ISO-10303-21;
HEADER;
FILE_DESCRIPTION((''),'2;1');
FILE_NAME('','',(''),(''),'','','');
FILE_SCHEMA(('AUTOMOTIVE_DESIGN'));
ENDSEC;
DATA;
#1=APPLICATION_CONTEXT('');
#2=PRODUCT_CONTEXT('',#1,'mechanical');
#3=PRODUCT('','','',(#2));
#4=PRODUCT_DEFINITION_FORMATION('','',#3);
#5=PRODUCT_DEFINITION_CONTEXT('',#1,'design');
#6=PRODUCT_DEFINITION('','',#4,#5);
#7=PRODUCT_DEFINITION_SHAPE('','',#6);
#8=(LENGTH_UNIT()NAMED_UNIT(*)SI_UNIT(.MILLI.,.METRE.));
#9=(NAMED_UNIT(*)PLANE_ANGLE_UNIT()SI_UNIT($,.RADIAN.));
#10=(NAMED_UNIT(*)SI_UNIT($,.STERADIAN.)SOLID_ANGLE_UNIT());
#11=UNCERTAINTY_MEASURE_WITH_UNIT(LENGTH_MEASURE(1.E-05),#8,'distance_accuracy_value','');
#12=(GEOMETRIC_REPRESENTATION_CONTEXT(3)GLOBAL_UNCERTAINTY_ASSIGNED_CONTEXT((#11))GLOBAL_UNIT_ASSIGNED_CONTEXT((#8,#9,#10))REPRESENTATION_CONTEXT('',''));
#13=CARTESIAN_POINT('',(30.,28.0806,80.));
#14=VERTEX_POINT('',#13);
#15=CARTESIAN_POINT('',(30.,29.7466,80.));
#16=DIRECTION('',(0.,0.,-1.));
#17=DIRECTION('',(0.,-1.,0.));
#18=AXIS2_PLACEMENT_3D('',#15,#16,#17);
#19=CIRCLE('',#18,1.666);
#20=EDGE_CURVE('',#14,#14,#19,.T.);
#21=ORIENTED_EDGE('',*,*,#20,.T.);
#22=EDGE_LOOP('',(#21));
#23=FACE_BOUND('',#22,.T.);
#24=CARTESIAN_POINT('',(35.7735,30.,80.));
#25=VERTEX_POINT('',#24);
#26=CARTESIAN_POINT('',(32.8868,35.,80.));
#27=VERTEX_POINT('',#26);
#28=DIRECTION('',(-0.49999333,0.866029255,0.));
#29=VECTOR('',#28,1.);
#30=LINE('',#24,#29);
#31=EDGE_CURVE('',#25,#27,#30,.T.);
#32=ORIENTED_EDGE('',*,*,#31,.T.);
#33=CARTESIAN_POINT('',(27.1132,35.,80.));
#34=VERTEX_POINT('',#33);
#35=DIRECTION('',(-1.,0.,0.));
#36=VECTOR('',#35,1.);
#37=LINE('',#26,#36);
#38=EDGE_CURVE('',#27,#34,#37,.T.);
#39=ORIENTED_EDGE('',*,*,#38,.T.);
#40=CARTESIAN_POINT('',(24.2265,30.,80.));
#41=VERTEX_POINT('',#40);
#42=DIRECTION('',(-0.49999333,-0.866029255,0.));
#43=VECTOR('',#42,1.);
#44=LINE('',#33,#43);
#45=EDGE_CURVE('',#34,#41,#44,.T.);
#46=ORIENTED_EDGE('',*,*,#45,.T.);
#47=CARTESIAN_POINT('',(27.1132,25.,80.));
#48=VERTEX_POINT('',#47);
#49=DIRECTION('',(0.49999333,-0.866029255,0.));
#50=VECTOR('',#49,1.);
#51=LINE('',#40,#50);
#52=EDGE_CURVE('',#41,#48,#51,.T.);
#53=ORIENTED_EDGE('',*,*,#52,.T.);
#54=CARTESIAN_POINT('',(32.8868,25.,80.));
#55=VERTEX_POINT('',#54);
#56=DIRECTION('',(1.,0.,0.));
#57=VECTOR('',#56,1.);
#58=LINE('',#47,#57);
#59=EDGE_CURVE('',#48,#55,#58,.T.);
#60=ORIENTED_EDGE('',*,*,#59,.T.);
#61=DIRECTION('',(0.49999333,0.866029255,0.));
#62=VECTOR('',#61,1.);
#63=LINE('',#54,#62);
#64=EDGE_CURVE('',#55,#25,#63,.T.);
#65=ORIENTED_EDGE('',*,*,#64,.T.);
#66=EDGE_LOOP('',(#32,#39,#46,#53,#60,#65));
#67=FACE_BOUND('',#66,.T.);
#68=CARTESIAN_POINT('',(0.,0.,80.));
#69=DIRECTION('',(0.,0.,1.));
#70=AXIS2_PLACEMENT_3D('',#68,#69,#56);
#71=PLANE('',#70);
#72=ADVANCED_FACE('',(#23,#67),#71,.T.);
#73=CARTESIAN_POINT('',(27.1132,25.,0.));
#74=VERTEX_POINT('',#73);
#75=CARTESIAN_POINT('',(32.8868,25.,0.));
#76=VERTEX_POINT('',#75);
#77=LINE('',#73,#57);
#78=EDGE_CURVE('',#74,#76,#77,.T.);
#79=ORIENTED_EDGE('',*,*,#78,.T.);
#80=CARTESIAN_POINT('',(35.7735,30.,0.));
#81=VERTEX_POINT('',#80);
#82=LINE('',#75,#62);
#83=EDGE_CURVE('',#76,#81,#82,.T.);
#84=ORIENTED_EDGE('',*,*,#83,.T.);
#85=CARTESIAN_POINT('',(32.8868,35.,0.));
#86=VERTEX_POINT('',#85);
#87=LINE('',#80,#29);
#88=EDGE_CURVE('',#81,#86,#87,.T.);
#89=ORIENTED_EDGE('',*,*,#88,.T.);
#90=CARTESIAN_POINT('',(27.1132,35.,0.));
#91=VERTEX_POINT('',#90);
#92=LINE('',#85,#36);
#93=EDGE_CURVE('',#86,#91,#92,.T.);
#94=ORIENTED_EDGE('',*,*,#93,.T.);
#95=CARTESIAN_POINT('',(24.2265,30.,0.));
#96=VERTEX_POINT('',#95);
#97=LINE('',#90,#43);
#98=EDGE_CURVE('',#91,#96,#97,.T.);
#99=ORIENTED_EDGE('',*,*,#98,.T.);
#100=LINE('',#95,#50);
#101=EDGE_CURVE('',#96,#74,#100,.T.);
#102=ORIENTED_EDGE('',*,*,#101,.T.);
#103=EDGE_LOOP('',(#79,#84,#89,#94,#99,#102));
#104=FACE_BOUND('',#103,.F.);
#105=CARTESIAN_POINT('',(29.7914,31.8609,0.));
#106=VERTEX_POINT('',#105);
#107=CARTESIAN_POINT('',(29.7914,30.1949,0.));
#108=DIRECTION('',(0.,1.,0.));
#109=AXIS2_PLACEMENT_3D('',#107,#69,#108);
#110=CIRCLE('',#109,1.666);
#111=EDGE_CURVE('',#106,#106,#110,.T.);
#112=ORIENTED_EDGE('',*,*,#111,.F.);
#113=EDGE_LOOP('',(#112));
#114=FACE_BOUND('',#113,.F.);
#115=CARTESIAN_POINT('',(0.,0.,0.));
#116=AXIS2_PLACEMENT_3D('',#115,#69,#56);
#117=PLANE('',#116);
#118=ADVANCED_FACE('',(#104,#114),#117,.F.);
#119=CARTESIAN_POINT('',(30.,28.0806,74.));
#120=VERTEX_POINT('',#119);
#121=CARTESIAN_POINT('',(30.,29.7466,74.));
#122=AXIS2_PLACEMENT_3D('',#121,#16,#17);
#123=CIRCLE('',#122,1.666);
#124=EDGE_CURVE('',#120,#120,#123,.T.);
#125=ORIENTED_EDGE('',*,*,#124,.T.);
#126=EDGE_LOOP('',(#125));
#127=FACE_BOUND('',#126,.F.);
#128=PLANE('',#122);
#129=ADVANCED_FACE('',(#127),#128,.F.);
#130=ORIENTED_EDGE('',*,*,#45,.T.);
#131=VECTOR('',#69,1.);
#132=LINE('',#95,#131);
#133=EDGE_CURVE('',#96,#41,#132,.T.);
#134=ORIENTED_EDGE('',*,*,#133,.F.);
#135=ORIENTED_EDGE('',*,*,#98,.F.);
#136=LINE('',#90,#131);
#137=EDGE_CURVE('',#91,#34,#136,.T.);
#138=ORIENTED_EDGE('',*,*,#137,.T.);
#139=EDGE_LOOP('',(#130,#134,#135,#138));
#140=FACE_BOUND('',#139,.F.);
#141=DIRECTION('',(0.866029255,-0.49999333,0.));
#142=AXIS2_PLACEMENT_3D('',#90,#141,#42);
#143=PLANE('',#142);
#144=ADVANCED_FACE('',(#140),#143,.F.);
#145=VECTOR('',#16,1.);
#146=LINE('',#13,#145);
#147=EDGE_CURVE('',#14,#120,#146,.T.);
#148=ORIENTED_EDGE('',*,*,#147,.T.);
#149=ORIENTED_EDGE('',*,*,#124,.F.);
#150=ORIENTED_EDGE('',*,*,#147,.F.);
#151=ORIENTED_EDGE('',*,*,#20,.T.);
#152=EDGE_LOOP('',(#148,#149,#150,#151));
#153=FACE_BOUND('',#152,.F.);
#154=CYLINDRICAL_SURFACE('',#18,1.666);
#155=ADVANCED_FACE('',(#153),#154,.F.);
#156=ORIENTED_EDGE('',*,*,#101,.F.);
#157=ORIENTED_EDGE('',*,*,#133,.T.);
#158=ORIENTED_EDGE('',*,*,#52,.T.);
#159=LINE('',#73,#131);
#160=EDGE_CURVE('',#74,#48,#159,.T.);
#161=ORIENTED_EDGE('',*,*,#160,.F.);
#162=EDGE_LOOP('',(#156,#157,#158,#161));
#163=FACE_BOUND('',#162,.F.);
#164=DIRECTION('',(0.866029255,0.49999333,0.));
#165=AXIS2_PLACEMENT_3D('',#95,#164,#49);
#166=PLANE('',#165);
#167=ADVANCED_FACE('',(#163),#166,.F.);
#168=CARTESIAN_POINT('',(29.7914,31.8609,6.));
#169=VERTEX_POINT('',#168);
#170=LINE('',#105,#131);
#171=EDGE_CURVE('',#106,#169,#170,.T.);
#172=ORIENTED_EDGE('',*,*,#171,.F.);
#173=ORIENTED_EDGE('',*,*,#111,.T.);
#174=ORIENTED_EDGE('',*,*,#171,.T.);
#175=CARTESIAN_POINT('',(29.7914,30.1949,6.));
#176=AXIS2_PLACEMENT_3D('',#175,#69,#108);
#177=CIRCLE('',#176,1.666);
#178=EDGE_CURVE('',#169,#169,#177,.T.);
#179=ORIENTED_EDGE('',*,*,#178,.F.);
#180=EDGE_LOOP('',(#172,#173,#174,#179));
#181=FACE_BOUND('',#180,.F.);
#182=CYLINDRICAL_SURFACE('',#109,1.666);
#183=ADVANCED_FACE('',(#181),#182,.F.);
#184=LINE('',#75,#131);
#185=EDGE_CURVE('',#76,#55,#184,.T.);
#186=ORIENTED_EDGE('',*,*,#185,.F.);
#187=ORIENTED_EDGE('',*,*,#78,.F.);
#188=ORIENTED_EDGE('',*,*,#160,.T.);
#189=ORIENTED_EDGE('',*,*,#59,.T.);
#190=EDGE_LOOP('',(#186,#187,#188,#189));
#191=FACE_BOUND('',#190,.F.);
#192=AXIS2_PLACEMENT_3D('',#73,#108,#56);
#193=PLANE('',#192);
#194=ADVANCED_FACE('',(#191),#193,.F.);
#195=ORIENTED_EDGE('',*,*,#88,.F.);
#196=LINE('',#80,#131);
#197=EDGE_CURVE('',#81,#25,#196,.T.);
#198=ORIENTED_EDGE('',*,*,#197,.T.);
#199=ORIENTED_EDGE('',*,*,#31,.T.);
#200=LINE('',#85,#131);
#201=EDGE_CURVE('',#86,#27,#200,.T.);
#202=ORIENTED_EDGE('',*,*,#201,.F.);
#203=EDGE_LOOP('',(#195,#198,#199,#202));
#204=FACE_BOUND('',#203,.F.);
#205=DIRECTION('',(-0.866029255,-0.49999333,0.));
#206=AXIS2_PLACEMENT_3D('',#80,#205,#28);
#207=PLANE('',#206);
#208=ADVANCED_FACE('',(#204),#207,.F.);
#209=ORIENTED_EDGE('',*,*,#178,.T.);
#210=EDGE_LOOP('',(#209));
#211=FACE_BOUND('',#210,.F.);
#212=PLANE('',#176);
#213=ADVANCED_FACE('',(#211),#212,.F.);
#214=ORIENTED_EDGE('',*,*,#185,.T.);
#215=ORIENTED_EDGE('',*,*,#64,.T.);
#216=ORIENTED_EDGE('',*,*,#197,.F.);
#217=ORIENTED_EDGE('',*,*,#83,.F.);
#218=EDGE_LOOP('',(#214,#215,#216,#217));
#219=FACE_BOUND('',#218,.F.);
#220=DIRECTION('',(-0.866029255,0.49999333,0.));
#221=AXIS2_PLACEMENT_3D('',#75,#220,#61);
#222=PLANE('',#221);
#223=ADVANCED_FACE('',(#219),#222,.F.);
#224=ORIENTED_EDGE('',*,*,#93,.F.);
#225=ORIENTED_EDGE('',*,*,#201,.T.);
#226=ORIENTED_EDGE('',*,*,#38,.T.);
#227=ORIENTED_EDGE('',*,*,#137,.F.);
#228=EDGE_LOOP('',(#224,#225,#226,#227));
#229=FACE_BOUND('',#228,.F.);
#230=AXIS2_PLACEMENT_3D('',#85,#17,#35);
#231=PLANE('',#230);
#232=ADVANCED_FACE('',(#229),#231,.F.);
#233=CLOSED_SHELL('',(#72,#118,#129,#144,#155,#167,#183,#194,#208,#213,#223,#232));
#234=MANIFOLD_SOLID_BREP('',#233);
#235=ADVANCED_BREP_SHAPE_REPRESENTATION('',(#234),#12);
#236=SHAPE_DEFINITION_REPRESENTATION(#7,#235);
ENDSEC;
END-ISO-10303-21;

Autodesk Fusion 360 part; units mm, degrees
sketch "Sketch1" plane through (0, 0, 0) normal (0, 0, 1) x (1, 0, 0)
  line L0 (32.8868, 25) -> (35.7735, 30)
  line L1 (35.7735, 30) -> (32.8868, 35)
  line L2 (32.8868, 35) -> (27.1132, 35)
  line L3 (27.1132, 35) -> (24.2265, 30)
  line L4 (24.2265, 30) -> (27.1132, 25)
  line L5 (27.1132, 25) -> (32.8868, 25)
  point P0 (30, 30)
  dimension "d1" = 5
extrude "Extrude1" add sketch "Sketch1" along normal blind 80
hole "Hole1" at (29.7914, 30.1949, 0) direction (0, 0, 1) diameter 3.332 depth 6 tip angle 180
hole "Hole2" at (30, 29.7466, 80) direction (0, 0, -1) diameter 3.332 depth 6 tip angle 180
